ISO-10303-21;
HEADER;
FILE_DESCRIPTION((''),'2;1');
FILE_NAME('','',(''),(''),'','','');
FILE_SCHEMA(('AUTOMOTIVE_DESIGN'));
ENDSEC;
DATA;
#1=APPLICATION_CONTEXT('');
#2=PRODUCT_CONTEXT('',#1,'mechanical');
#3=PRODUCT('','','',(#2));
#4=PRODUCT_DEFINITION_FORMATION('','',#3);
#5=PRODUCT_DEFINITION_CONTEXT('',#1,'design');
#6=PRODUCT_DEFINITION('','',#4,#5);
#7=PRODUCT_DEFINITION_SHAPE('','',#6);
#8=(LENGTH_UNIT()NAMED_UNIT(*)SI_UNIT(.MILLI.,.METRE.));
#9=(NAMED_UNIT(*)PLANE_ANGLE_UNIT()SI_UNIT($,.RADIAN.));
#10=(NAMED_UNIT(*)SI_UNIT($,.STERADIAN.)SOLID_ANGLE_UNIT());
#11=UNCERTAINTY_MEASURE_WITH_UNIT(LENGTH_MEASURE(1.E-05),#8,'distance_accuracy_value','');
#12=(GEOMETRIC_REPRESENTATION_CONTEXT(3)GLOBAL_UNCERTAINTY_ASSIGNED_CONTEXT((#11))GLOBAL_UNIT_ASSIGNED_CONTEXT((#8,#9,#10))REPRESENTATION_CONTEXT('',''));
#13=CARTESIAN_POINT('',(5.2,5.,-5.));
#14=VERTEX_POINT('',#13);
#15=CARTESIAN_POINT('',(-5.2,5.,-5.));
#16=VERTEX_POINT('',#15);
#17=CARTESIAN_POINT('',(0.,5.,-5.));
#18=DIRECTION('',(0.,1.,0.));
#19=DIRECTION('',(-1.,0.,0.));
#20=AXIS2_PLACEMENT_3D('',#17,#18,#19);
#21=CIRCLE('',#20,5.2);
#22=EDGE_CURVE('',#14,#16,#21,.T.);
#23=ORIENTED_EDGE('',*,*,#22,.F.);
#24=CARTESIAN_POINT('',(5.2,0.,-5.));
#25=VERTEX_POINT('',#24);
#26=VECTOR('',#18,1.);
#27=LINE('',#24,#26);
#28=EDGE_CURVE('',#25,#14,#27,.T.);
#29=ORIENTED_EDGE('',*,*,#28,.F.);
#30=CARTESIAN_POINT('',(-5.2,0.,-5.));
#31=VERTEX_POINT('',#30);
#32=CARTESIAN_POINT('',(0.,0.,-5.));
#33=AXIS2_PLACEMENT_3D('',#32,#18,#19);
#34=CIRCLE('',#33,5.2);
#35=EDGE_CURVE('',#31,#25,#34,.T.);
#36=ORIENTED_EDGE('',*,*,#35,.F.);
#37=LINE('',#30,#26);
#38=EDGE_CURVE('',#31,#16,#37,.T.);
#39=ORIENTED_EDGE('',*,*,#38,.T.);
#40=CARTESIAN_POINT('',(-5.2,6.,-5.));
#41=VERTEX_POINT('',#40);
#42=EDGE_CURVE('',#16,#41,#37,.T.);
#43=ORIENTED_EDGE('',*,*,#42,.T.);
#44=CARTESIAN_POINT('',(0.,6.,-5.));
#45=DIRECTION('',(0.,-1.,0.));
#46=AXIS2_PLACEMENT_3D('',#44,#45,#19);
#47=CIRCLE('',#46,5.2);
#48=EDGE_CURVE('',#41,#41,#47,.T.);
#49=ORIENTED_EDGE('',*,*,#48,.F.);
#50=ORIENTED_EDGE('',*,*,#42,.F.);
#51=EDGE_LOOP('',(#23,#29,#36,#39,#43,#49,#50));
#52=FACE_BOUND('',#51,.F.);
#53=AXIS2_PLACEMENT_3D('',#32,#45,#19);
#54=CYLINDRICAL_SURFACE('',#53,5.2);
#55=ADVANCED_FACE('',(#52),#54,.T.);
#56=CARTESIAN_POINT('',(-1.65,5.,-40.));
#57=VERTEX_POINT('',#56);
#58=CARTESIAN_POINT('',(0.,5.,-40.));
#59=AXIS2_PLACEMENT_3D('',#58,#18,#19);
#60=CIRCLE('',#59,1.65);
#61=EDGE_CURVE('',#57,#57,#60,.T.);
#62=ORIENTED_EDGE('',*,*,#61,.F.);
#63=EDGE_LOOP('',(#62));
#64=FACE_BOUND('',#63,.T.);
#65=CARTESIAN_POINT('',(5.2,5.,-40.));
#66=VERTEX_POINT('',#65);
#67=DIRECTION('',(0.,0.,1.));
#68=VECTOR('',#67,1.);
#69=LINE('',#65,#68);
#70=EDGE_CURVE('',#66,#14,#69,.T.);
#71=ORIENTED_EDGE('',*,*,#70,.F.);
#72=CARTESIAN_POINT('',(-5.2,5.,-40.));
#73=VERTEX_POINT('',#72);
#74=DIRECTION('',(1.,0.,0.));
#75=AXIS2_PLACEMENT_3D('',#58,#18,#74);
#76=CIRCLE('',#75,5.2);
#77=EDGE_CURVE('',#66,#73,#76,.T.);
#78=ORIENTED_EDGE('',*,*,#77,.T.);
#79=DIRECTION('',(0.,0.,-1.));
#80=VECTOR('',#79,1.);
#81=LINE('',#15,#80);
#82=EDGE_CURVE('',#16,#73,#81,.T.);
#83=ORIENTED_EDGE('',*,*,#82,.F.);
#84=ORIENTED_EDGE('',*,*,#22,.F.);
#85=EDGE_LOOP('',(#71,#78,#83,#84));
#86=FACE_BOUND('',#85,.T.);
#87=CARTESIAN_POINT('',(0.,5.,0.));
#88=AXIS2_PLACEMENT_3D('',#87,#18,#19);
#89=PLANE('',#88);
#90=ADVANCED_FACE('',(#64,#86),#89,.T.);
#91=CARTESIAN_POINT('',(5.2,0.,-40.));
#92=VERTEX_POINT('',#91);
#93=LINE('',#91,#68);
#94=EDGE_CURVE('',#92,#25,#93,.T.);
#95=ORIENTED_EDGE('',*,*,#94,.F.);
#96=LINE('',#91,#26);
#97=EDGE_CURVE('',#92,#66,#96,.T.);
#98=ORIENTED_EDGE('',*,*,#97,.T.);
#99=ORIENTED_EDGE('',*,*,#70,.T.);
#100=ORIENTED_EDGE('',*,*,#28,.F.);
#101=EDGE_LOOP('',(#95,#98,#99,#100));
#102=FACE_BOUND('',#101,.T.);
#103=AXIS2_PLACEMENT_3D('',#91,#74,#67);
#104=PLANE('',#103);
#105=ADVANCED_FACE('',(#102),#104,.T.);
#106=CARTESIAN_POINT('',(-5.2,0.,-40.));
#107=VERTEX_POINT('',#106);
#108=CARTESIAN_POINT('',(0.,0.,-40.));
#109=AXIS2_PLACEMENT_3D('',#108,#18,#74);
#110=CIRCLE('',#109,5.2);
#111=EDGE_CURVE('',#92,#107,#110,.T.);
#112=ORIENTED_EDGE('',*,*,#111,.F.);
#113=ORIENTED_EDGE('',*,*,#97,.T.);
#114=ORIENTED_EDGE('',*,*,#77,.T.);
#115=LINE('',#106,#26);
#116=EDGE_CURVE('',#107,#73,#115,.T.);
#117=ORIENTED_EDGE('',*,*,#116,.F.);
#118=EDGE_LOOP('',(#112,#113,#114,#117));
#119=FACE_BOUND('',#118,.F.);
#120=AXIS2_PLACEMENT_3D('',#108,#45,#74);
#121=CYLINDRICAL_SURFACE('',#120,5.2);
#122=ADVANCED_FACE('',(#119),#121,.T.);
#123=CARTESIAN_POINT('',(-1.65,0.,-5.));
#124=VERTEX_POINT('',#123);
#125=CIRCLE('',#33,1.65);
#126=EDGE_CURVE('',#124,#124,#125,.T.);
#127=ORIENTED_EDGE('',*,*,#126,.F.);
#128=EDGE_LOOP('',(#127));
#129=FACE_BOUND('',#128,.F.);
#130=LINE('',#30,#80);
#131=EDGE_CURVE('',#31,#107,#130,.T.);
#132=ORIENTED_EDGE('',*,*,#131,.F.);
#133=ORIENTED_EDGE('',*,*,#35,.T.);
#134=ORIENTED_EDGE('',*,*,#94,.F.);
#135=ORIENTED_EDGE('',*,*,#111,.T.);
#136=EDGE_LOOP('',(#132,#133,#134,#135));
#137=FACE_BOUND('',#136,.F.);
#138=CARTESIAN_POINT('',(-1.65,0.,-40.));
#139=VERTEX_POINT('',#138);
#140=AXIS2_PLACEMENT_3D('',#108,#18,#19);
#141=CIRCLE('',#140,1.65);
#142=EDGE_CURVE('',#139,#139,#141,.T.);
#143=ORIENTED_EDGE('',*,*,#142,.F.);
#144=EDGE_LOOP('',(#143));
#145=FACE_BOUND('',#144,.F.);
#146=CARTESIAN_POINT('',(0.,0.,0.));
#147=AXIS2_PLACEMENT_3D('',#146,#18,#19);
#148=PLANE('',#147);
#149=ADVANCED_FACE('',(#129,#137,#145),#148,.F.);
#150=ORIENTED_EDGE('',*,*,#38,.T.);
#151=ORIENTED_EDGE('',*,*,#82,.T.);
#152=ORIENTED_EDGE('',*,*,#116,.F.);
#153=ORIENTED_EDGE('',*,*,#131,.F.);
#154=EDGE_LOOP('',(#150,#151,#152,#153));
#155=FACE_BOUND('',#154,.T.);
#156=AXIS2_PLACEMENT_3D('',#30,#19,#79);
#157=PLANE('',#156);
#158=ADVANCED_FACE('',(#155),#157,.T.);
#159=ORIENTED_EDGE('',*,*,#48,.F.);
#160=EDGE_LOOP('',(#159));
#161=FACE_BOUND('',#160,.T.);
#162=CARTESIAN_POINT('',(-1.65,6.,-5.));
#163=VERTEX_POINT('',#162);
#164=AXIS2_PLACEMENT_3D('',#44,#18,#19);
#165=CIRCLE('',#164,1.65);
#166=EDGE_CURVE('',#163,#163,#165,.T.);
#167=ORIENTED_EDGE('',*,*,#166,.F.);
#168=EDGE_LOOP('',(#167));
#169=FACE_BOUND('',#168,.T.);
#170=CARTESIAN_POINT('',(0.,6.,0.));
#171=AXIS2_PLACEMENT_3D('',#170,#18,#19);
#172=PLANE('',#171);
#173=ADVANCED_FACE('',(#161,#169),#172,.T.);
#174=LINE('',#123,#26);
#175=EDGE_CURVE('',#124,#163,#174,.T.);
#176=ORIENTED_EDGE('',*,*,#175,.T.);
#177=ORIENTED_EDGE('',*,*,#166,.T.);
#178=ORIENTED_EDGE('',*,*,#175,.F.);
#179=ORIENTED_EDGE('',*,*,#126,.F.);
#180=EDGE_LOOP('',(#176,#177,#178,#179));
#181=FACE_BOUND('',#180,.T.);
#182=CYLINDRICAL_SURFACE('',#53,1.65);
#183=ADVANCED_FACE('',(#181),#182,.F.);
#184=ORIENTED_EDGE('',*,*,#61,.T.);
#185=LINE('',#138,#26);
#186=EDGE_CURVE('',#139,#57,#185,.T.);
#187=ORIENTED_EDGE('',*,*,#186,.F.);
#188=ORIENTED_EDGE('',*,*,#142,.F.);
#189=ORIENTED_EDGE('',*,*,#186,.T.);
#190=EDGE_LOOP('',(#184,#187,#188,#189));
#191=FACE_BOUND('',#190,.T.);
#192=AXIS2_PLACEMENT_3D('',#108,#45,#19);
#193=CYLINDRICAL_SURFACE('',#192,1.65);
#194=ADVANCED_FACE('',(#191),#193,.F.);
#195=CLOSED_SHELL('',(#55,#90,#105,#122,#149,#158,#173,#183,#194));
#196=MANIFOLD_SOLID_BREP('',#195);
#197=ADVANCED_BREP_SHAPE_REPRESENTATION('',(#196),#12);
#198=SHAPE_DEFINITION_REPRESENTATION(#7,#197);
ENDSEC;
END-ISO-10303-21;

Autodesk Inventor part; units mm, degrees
ref_plane "YZ Plane" through (0, 0, 0) normal (1, 0, 0) x (0, 1, 0)
ref_plane "XZ Plane" through (0, 0, 0) normal (0, 1, 0) x (-1, 0, 0)
ref_plane "XY Plane" through (0, 0, 0) normal (0, 0, 1) x (1, 0, 0)
sketch "Sketch1" plane through (0, 0, 0) normal (0, 1, 0) x (-1, 0, 0)
  line L0 (0, 0) -> (0, -45) construction
  line L1 (-5, -5) -> (-5, -40) construction
  line L2 (5, -40) -> (5, -5) construction
  arc A0 (5, -5) -> (-5, -5) centre (0, -5) ccw construction
  arc A1 (-5, -40) -> (5, -40) centre (0, -40) ccw construction
  line L3 (-5.2, -40) -> (-5.2, -5)
  arc A2 (5.2, -5) -> (-5.2, -5) centre (0, -5) ccw
  line L4 (5.2, -5) -> (5.2, -40)
  arc A3 (-5.2, -40) -> (5.2, -40) centre (0, -40) ccw
  circle A4 centre (0, -5) radius 1.65
  circle A5 centre (0, -40) radius 1.65
  circle A6 centre (0, -5) radius 5.2
  point P0 (0, -22.5)
  dimension "d0" = 45
  dimension "d1" = 10
  dimension "d2" = 0.2
  dimension "d3" = 3.3
  dimension "d4" = 3.3
extrude "Extrusion1" add sketch "Sketch1" along normal blind 5 contours L3 A6 L4 A3
extrude "Extrusion2" add sketch "Sketch1" along normal blind 6 contours A2 A6
properties part number "wiper_linkage_motor_connect" material "ABS Plastic"
